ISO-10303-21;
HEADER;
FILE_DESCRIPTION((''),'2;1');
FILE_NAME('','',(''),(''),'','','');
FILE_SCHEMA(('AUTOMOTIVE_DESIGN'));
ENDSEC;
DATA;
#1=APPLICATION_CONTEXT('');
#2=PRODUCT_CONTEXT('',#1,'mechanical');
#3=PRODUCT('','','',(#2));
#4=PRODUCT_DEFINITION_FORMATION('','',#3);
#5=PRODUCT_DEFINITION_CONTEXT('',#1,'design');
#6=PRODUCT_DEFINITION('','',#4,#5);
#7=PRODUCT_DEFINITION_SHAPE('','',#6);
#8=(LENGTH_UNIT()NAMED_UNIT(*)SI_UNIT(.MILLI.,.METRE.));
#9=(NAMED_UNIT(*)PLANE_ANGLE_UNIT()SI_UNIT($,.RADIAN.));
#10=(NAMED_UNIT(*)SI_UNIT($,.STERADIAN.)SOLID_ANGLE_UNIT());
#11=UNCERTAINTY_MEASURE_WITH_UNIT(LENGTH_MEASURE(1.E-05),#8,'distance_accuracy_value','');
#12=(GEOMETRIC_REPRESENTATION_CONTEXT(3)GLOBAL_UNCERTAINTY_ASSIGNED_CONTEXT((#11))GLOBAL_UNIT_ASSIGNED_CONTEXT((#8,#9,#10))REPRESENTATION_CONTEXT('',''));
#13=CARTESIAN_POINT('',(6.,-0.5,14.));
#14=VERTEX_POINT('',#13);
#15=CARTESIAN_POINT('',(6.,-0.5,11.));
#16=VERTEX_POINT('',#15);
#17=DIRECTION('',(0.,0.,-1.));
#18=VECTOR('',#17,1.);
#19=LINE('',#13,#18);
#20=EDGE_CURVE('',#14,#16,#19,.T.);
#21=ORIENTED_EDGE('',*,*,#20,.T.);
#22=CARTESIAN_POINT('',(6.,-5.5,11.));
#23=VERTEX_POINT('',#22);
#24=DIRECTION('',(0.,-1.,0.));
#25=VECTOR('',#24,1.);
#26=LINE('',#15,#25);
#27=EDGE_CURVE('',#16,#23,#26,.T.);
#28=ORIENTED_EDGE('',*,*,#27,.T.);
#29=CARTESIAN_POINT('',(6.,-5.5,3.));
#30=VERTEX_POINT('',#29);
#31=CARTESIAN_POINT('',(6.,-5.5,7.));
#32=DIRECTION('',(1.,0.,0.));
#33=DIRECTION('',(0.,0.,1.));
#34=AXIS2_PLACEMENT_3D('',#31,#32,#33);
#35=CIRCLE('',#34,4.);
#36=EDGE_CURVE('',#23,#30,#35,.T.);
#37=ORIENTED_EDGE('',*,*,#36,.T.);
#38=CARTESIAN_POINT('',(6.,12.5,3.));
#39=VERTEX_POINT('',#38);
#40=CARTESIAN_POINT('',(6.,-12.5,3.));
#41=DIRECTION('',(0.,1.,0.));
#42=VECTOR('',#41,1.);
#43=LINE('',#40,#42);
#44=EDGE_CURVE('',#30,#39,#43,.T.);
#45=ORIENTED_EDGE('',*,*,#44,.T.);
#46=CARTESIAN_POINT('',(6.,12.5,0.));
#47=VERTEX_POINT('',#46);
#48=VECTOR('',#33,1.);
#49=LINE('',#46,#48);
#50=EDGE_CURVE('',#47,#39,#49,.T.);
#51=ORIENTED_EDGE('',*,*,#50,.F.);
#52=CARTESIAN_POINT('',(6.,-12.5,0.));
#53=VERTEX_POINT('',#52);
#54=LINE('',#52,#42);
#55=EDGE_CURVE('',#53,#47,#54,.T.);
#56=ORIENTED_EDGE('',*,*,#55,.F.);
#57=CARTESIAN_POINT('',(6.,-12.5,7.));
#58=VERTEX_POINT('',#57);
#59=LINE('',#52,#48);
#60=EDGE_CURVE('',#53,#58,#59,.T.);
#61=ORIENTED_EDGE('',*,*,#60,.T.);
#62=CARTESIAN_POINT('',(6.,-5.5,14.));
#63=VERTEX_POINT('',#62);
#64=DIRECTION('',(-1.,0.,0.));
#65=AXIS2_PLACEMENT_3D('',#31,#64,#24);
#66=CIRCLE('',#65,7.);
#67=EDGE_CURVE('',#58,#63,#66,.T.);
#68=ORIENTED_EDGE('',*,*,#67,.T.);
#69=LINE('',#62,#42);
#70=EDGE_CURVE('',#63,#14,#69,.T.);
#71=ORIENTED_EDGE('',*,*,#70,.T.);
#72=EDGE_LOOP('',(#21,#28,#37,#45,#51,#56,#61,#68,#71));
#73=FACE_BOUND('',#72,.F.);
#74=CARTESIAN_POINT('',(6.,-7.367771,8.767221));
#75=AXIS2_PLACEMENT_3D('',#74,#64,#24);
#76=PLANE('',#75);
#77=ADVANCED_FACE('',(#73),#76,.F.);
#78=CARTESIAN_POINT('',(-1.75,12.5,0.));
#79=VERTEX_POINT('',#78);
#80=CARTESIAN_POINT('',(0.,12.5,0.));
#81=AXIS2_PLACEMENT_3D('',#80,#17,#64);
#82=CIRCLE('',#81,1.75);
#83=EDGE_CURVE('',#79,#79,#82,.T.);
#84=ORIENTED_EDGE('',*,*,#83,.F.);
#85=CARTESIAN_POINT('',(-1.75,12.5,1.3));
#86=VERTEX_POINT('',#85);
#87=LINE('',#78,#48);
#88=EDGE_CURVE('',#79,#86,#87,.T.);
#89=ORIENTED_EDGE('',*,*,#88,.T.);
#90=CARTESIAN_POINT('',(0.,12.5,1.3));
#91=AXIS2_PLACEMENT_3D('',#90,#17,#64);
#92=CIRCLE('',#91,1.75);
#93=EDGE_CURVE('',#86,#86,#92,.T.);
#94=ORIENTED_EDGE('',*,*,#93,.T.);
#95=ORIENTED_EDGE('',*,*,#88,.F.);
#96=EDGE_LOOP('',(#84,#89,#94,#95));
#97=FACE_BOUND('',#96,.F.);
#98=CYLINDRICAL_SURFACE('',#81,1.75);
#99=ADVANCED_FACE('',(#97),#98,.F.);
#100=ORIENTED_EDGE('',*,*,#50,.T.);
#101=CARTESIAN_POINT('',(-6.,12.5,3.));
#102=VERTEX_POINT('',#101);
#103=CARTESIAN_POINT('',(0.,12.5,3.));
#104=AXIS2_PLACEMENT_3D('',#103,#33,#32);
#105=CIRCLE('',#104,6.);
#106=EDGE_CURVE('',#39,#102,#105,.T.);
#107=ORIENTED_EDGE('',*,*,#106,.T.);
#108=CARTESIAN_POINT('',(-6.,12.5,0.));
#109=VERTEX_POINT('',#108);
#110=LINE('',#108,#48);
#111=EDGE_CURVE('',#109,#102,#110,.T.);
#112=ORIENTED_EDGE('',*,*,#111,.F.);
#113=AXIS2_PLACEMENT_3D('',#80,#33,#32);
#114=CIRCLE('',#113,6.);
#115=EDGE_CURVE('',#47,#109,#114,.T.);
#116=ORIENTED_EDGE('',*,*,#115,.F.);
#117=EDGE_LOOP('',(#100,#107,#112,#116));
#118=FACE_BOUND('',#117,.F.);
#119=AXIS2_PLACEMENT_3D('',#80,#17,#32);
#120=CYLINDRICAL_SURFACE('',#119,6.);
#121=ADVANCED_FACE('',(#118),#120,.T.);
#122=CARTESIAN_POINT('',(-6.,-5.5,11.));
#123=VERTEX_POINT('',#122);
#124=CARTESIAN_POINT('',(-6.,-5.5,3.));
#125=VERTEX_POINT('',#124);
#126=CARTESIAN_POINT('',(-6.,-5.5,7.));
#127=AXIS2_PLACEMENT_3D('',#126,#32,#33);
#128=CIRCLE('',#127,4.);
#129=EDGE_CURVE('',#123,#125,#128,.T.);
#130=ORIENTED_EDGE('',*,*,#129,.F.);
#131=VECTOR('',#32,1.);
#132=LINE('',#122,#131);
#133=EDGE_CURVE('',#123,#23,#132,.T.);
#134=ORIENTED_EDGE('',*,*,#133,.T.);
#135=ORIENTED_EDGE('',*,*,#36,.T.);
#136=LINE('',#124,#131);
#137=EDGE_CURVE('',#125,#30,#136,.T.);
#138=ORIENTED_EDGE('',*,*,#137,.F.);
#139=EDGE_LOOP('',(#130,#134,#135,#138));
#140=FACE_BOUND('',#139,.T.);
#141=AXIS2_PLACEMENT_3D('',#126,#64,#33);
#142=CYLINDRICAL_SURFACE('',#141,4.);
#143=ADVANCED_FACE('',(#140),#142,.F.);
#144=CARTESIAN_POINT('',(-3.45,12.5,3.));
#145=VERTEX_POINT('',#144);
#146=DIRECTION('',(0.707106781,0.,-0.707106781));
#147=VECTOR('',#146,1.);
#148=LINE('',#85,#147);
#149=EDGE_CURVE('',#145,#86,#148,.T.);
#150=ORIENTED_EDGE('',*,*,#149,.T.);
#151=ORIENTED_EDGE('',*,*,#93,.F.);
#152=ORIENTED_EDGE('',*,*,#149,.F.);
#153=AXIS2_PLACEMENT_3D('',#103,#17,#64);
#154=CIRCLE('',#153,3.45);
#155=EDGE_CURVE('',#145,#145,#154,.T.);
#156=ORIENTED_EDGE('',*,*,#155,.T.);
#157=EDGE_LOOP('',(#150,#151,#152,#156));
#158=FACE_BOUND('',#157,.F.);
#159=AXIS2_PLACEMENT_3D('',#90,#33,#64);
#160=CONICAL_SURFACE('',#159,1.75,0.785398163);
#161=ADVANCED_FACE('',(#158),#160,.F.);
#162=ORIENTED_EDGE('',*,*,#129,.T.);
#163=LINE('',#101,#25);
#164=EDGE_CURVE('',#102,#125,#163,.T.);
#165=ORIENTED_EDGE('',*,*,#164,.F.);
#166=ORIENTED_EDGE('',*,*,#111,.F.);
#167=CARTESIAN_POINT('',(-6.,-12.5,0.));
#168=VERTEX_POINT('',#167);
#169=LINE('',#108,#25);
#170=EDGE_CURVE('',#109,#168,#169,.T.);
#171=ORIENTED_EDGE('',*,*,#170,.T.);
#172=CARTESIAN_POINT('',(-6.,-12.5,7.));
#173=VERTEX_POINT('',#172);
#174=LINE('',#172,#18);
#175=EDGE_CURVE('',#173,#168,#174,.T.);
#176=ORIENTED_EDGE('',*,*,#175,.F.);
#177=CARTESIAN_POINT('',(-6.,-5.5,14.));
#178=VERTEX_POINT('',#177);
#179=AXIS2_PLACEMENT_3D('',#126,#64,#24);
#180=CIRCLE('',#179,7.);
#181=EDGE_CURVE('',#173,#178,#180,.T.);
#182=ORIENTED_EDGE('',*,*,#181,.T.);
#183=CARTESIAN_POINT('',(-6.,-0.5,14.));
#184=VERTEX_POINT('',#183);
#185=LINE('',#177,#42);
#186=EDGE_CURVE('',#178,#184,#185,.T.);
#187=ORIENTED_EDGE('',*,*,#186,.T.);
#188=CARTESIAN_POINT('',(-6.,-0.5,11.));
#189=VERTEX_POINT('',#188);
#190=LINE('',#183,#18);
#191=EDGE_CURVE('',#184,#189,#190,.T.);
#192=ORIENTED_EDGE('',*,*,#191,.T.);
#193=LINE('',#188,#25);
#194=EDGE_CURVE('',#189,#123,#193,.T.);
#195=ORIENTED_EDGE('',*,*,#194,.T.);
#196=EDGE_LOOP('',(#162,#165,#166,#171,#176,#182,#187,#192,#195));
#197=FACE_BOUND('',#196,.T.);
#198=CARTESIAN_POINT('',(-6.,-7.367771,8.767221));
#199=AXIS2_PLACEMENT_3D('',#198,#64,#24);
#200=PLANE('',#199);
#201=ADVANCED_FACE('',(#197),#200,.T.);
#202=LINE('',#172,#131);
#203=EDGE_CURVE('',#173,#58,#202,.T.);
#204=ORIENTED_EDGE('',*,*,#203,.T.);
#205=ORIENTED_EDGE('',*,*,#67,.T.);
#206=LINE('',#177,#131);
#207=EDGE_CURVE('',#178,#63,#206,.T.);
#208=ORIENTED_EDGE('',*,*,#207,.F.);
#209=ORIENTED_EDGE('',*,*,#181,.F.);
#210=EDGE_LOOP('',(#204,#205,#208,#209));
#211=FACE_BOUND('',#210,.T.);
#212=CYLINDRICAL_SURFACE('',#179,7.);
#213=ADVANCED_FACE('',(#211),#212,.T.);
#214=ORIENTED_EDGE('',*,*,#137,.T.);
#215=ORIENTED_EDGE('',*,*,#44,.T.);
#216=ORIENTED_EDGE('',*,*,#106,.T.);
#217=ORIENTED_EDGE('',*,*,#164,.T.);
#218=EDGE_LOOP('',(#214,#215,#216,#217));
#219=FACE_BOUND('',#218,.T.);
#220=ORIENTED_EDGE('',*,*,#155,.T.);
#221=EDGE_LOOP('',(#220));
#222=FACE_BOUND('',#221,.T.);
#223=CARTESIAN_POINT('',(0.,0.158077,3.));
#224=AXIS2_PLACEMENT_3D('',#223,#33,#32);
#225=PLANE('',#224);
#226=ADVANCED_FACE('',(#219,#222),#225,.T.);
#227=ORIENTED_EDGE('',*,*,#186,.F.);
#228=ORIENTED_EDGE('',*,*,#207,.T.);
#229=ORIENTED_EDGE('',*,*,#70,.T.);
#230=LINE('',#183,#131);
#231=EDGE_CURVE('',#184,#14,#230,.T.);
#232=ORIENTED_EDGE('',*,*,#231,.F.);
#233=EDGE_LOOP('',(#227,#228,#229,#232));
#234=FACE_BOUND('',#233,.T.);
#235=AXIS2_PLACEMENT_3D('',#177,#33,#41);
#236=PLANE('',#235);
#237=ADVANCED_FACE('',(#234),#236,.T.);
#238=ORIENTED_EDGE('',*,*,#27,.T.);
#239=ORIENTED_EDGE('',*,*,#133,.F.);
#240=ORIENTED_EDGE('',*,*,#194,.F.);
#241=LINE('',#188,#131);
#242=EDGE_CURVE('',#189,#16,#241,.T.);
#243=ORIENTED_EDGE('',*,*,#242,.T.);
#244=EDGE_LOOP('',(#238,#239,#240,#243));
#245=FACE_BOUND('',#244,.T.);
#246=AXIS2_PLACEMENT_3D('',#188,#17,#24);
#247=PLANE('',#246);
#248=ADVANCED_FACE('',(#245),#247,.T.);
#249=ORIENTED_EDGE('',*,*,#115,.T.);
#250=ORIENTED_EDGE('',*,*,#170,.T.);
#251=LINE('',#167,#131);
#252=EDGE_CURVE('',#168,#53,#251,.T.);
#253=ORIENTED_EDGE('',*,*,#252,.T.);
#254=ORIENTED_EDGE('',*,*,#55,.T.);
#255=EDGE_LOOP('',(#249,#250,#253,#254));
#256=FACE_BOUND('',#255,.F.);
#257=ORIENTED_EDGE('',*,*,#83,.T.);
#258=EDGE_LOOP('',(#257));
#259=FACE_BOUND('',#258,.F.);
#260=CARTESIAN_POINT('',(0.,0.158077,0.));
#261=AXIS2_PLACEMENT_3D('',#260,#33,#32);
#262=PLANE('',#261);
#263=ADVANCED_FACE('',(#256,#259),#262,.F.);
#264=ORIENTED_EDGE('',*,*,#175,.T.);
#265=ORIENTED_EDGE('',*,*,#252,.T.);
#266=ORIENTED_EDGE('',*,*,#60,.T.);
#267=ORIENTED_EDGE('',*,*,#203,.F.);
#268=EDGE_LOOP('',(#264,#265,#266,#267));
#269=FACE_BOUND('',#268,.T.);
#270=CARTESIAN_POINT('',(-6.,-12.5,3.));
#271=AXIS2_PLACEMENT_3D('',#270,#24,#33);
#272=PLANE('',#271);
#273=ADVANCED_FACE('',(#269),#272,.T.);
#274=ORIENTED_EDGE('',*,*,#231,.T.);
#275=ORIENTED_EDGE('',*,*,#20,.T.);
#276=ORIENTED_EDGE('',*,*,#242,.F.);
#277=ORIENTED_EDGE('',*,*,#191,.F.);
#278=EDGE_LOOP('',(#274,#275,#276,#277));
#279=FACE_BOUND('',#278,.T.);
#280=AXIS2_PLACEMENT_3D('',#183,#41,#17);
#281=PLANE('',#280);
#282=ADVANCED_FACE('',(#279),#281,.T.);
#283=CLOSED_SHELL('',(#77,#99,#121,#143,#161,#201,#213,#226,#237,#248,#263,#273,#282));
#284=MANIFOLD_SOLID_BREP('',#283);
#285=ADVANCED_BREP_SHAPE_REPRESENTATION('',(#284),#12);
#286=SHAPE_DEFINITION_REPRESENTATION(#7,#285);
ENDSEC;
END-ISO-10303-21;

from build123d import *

# Parameters (mm, degrees)
F1_DEPTH = 3
F3_DEPTH = 12
F4_SIZE  = 1.7


with BuildPart() as f1:
    # F0 (on Top) → F1 (new body)
    with BuildSketch(Plane.XY):
        with BuildLine():
            Line((6, -12.5), (6, 12.5))
            ThreePointArc((6, 12.5), (0, 6.5), (-6, 12.5))
            Line((-6, 12.5), (-6, -12.5))
            Line((-6, -12.5), (6, -12.5))
        make_face()
        with BuildLine():
            ThreePointArc((-1.75, 12.5), (0, 14.25), (1.75, 12.5))
            Line((1.75, 12.5), (6, 12.5))
            ThreePointArc((6, 12.5), (0, 18.5), (-6, 12.5))
            Line((-6, 12.5), (-1.75, 12.5))
        make_face()
        with BuildLine():
            Line((6, 12.5), (1.75, 12.5))
            ThreePointArc((1.75, 12.5), (0, 10.75), (-1.75, 12.5))
            Line((-1.75, 12.5), (-6, 12.5))
            ThreePointArc((-6, 12.5), (0, 6.5), (6, 12.5))
        make_face()
    extrude(amount=F1_DEPTH)

    # F2 (on face) → F3 (join, through all)
    with BuildSketch(Plane(origin=(-6, 0, 0), x_dir=(0, -1, 0), z_dir=(-1, 0, 0))):
        with BuildLine():
            Line((12.5, 3), (12.5, 7))
            ThreePointArc((12.5, 7), (10.4497474683, 11.9497474683), (5.5, 14))
            Line((5.5, 14), (0.5, 14))
            Line((0.5, 14), (0.5, 11))
            Line((0.5, 11), (5.5, 11))
            ThreePointArc((5.5, 11), (9.5, 7), (5.5, 3))
            Line((5.5, 3), (12.5, 3))
        make_face()
    extrude(amount=-F3_DEPTH)

    # F4
    f4_edges = [f1.edges().sort_by_distance(p)[0] for p in [
        (1.75, 12.5, 3),
    ]]
    chamfer(f4_edges, length=F4_SIZE)


solid = f1.part
